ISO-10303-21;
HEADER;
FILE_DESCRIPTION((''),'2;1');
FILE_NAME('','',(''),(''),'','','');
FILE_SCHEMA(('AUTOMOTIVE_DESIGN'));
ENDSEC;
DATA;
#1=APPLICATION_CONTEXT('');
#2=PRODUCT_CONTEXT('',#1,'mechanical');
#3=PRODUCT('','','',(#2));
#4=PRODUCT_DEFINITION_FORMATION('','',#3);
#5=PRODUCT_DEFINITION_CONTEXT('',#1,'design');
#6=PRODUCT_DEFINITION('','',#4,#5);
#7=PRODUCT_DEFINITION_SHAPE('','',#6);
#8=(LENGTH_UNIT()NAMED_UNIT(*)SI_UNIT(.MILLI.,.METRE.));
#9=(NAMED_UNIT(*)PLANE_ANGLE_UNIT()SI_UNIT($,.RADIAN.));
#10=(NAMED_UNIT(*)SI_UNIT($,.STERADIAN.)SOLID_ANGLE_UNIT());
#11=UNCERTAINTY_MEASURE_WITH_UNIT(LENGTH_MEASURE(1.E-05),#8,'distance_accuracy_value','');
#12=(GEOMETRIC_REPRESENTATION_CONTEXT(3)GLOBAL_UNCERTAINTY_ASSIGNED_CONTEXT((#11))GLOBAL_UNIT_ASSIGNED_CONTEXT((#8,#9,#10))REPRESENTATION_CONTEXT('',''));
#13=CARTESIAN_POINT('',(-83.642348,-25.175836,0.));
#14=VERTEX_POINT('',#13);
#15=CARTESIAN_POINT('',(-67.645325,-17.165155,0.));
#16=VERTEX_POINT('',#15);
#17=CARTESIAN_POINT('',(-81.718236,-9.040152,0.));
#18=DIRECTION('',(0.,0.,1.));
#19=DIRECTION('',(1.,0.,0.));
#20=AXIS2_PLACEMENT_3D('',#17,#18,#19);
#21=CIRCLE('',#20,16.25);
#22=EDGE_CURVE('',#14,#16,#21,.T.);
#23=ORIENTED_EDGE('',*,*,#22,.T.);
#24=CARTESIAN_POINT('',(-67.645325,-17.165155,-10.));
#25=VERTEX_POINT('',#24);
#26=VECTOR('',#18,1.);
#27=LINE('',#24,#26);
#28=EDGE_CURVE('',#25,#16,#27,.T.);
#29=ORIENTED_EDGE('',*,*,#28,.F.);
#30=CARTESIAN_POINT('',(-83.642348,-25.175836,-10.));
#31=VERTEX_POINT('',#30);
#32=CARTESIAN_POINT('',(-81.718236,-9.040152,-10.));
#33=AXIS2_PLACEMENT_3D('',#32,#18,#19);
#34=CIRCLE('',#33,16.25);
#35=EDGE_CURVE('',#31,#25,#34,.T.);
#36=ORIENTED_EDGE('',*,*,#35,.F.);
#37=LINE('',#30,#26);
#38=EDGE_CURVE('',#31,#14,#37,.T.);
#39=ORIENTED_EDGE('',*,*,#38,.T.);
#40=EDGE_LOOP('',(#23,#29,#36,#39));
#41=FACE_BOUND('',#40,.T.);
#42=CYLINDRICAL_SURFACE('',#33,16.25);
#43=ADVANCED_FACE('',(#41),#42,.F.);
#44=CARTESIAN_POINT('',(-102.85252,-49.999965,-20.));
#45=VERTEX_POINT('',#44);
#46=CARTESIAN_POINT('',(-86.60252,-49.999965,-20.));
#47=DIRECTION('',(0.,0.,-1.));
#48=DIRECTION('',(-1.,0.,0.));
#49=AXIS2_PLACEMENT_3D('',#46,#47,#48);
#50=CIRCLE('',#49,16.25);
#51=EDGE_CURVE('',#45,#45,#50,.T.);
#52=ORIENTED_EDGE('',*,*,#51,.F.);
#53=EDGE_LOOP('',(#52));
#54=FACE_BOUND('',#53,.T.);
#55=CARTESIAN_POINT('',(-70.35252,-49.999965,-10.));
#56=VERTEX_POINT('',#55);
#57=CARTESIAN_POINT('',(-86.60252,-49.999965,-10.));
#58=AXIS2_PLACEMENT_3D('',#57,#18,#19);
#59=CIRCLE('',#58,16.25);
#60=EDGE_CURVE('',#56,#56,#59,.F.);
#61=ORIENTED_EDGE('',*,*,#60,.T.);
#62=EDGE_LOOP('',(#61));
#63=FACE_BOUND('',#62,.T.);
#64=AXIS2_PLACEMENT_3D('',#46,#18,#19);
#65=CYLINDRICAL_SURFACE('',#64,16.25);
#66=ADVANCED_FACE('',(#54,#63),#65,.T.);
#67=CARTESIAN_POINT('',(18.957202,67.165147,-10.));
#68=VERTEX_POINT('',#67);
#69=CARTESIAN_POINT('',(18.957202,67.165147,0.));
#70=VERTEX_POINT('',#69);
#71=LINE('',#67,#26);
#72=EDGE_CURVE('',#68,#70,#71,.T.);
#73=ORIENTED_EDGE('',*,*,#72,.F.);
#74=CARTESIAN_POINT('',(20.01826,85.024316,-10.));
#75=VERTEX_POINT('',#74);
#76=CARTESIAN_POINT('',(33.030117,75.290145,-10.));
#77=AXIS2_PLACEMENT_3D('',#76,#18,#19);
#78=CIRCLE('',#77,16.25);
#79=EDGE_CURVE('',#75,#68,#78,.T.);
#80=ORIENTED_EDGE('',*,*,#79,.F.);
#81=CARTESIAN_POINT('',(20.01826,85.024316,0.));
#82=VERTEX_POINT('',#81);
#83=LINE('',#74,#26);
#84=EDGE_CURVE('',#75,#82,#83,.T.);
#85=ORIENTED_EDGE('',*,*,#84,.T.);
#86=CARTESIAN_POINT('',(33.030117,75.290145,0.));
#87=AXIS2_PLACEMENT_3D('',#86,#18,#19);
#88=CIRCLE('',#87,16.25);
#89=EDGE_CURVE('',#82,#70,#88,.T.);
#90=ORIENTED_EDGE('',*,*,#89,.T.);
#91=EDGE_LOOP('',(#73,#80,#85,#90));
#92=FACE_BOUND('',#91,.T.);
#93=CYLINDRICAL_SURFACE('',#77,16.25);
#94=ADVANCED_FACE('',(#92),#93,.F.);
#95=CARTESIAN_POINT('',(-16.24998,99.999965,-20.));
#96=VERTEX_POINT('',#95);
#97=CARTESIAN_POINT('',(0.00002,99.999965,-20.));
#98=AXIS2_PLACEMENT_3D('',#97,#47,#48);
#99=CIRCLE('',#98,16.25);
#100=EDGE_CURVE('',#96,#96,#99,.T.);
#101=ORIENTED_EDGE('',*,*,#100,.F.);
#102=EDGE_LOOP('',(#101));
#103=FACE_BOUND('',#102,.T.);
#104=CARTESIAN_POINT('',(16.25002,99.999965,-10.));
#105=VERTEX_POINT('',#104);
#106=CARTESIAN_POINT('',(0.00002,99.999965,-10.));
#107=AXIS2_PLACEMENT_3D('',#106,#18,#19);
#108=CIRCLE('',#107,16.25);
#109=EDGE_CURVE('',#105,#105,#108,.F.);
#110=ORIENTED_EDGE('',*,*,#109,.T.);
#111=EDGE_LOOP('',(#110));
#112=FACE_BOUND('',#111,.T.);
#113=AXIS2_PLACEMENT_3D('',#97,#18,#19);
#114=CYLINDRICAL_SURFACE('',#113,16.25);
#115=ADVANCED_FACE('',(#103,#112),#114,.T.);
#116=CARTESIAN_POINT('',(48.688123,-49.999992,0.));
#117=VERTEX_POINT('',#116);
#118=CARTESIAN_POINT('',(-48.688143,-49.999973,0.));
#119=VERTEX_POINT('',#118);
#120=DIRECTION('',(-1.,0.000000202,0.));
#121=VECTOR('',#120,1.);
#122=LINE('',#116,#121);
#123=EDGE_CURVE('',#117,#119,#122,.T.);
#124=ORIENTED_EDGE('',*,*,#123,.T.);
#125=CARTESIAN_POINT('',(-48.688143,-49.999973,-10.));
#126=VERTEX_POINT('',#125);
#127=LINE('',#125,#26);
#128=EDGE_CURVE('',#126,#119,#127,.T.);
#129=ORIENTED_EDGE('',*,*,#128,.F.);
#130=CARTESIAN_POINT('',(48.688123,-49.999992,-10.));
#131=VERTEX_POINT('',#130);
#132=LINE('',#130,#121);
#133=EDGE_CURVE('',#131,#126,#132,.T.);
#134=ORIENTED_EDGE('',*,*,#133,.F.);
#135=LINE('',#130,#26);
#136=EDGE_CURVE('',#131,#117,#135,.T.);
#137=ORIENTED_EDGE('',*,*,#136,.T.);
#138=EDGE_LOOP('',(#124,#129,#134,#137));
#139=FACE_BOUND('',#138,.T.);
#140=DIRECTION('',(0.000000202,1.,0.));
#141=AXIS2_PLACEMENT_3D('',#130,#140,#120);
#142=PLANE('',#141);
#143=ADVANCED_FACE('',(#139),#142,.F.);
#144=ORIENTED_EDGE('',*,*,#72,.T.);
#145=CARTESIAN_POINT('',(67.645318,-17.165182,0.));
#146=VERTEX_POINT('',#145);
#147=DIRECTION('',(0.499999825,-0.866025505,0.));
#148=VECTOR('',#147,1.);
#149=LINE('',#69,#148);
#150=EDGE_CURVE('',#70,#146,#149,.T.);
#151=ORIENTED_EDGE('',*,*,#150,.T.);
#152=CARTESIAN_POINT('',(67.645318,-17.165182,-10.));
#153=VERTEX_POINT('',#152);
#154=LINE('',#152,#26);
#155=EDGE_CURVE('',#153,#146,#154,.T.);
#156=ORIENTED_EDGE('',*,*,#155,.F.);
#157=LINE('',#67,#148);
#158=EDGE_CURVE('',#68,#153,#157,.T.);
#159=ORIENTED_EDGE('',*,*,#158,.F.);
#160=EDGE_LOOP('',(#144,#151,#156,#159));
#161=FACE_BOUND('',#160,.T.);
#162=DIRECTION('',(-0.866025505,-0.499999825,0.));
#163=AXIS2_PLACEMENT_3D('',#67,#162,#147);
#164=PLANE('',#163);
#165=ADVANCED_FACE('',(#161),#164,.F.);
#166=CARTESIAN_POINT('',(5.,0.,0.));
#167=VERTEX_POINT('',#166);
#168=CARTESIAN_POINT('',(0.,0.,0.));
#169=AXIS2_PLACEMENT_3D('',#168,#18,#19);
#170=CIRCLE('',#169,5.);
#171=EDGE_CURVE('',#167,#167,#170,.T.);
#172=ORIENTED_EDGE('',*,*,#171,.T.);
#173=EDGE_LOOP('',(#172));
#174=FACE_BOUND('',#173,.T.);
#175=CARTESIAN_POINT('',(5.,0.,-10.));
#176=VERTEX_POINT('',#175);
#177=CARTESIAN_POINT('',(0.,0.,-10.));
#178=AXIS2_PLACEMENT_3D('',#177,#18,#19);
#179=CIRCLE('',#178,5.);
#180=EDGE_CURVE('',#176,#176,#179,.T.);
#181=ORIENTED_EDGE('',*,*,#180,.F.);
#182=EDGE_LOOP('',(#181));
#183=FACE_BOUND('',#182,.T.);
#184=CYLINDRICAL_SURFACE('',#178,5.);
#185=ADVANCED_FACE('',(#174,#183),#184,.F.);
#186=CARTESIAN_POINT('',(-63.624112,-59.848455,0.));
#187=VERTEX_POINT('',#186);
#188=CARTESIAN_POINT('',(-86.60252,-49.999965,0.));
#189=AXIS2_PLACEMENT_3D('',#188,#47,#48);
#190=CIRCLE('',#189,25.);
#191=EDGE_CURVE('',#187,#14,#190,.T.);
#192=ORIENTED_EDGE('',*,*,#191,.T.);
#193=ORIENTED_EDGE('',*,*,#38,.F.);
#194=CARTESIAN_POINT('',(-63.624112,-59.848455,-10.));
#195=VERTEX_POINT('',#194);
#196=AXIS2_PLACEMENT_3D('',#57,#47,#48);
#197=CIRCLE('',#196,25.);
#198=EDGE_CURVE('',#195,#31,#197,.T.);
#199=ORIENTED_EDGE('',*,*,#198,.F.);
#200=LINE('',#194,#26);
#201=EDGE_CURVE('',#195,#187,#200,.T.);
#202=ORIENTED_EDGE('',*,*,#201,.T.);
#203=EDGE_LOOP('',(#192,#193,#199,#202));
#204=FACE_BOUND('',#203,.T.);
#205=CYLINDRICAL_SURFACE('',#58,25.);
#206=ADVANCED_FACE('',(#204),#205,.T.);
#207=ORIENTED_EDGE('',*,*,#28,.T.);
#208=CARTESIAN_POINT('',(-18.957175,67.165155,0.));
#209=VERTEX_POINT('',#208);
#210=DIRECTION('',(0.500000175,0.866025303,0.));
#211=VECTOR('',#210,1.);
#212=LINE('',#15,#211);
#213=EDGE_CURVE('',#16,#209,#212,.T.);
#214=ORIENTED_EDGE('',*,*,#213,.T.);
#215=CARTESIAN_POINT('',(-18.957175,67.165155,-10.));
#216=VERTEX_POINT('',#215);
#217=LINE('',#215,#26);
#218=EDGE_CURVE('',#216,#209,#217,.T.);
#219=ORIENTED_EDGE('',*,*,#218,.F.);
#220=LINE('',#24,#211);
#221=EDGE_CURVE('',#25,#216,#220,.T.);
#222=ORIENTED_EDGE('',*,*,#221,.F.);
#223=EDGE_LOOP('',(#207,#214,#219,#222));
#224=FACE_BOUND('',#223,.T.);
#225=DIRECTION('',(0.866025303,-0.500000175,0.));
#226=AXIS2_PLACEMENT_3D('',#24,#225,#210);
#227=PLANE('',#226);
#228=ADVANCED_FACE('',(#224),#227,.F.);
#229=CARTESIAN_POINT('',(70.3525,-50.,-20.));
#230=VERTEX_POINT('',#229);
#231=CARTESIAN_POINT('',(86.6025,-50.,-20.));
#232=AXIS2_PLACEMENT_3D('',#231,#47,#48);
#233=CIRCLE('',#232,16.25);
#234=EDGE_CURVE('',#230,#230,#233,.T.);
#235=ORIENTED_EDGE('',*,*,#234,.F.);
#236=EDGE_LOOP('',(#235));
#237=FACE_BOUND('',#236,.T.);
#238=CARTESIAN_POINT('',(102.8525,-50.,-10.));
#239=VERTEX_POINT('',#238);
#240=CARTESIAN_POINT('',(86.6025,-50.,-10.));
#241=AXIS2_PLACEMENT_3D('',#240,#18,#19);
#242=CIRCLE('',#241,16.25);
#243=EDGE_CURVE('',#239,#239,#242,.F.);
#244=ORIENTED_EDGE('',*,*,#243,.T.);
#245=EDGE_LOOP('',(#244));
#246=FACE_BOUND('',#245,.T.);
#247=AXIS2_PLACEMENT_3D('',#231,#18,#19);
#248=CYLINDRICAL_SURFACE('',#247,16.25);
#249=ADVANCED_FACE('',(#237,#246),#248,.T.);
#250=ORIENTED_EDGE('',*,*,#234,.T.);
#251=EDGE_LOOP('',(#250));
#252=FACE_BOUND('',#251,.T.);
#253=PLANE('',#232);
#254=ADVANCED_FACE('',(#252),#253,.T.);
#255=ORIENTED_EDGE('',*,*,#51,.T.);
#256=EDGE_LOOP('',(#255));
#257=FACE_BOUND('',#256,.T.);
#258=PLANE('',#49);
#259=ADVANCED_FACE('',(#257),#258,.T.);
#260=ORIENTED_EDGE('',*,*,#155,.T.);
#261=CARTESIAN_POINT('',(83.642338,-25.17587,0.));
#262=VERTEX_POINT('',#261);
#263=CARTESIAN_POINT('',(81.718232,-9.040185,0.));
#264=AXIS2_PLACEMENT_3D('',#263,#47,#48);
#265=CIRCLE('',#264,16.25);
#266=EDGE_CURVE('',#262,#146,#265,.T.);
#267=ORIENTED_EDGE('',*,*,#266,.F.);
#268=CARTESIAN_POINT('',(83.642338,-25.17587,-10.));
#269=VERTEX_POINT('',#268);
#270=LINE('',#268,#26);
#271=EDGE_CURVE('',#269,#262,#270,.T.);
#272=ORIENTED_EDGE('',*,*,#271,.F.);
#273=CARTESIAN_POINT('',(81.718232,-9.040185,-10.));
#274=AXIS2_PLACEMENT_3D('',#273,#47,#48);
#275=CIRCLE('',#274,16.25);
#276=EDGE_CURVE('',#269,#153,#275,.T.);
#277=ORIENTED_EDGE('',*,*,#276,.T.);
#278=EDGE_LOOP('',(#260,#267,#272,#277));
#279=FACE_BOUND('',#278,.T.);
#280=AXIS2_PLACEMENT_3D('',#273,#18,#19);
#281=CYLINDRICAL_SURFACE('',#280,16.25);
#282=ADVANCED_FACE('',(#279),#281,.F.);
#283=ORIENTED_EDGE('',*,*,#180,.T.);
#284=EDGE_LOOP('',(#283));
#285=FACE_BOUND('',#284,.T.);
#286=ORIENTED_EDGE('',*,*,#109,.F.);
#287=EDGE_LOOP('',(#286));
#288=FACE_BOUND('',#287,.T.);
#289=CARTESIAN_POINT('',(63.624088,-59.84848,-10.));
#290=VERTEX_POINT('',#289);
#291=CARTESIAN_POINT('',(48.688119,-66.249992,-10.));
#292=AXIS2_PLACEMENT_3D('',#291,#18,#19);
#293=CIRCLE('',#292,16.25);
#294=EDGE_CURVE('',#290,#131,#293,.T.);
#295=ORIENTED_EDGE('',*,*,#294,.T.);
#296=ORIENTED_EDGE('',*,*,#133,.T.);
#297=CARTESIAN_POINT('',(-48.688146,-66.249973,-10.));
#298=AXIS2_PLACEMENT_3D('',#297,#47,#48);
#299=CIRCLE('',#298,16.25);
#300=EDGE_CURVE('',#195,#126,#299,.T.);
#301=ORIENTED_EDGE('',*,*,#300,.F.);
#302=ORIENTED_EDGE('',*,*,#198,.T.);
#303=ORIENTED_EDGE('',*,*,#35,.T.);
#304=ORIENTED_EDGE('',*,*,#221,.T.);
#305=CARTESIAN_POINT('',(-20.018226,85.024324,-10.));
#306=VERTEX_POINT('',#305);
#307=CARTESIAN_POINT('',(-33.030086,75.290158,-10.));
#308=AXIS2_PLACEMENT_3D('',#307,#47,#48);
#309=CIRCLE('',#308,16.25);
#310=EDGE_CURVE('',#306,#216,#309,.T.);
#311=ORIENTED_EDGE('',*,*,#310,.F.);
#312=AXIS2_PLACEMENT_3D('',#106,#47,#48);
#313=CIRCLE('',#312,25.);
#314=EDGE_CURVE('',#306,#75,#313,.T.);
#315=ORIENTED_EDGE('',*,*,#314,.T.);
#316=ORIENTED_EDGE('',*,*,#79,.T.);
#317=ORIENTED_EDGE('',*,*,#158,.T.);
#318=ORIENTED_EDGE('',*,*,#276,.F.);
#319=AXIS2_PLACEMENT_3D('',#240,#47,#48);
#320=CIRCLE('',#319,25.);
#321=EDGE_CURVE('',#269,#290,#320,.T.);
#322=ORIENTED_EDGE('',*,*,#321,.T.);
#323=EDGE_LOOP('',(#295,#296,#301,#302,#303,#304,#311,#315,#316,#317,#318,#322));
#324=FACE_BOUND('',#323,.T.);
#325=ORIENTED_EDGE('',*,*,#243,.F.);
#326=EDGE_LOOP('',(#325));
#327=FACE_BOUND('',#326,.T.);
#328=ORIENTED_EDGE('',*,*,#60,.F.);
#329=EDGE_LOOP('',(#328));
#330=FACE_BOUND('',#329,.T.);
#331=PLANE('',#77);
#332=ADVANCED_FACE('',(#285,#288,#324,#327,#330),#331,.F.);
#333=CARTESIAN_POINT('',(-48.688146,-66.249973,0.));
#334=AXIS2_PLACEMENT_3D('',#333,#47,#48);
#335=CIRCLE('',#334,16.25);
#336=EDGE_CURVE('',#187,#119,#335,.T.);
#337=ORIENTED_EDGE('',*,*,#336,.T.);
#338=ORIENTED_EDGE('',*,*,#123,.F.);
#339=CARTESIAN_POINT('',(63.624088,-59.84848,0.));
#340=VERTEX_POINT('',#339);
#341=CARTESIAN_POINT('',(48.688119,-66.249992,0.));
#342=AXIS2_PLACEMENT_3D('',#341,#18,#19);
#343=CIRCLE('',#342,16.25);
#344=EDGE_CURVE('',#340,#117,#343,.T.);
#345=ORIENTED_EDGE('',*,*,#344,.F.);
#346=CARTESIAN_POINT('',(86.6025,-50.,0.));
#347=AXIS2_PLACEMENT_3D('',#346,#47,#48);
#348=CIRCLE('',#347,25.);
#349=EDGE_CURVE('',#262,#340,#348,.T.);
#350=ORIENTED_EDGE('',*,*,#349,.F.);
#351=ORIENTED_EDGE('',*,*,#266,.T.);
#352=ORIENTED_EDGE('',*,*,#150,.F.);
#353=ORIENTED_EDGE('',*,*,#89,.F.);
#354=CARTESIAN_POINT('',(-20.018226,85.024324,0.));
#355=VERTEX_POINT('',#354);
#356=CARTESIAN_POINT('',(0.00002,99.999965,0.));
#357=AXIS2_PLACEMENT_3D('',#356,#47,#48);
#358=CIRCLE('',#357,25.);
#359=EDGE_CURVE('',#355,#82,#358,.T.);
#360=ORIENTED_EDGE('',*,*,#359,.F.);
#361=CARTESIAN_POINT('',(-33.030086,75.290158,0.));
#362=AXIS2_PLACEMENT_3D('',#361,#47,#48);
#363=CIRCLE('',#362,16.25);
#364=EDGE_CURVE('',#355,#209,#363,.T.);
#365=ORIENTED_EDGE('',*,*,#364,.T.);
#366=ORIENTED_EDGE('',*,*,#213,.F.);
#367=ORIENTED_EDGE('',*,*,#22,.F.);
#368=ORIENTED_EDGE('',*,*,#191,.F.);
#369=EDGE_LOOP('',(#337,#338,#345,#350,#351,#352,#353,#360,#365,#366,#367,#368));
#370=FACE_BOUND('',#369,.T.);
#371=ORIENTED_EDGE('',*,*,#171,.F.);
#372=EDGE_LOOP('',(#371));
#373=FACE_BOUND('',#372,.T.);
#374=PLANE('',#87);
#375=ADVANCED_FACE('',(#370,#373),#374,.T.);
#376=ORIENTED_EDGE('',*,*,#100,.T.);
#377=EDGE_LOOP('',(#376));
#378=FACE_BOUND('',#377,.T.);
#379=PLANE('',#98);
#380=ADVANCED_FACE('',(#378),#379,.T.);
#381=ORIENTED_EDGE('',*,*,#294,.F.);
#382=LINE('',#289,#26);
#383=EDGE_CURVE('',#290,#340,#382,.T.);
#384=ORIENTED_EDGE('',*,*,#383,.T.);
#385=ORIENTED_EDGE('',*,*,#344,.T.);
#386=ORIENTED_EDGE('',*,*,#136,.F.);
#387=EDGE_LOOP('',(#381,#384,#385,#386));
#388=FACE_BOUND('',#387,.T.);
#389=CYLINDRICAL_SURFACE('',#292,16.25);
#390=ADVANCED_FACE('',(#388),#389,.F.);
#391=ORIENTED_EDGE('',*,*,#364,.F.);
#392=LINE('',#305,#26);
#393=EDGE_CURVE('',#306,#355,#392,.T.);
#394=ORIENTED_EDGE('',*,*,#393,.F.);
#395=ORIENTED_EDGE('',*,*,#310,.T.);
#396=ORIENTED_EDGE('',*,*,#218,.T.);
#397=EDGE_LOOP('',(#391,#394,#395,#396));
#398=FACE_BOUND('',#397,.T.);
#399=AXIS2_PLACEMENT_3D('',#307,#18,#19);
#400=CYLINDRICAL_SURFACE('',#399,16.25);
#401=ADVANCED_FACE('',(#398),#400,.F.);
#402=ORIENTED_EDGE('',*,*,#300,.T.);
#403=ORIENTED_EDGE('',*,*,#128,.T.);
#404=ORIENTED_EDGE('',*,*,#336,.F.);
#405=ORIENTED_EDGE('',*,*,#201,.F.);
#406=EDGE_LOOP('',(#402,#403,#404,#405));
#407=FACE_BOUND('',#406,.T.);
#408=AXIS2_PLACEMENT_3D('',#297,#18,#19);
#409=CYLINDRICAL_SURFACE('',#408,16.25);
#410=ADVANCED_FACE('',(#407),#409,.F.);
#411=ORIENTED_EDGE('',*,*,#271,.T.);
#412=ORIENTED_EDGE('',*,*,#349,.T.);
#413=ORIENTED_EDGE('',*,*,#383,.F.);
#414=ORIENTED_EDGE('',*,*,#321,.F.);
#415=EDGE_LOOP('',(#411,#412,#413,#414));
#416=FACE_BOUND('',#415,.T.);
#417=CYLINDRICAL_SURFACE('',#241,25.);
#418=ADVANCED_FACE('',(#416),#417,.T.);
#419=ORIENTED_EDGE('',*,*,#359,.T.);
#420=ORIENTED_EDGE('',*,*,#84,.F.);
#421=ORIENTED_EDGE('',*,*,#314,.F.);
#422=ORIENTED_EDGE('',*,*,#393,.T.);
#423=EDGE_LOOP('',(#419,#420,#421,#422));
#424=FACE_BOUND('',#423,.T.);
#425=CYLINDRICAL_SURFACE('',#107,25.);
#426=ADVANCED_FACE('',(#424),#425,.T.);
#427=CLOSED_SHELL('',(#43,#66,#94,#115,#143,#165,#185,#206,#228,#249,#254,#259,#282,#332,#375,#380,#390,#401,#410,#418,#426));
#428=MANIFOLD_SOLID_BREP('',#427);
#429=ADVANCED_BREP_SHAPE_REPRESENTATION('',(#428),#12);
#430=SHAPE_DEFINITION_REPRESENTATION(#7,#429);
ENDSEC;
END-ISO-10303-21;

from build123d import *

# Parameters (mm, degrees)
BOSS_EXTRUDE1_DEPTH = 10
SKETCH2_R           = 16.25
BOSS_EXTRUDE2_DEPTH = 10
SKETCH3_R           = 5
CUT_EXTRUDE1_DEPTH  = 10


with BuildPart() as part:
    # Sketch1 → Boss-Extrude1 (new body)
    with BuildSketch(Plane(origin=(0, 0, 0), x_dir=(1, 0, 0), z_dir=(0, 0, -1))):
        with BuildLine():
            Line((18.95720217, -67.165147363), (67.645318019, 17.165182331))
            ThreePointArc((67.645318019, 17.165182331), (74.442164244, 23.570200009), (83.642337861, 25.175869802))
            ThreePointArc((83.642337861, 25.175869802), (108.253132571, 62.500004371), (63.624087575, 59.848480209))
            ThreePointArc((63.624087575, 59.848480209), (57.63345283, 52.683728615), (48.68812278, 49.999992345))
            Line((48.68812278, 49.999992345), (-48.688142969, 49.999972686))
            ThreePointArc((-48.688142969, 49.999972686), (-57.633474102, 52.683705343), (-63.624111741, 59.848454519))
            ThreePointArc((-63.624111741, 59.848454519), (-108.253157807, 62.49996066), (-83.642348027, 25.175836028))
            ThreePointArc((-83.642348027, 25.175836028), (-74.442173761, 23.570169951), (-67.64532495, 17.165155017))
            Line((-67.64532495, 17.165155017), (-18.95717505, -67.165155017))
            ThreePointArc((-18.95717505, -67.165155017), (-16.808690142, -76.253905353), (-20.01822612, -85.02432432))
            ThreePointArc((-20.01822612, -85.02432432), (2.5237e-05, -124.999965031), (20.018260452, -85.024316237))
            ThreePointArc((20.018260452, -85.024316237), (16.808720932, -76.253898566), (18.95720217, -67.165147363))
        make_face()
    extrude(amount=BOSS_EXTRUDE1_DEPTH)

    # Sketch2 → Boss-Extrude2 (add)
    with BuildSketch(Plane(origin=(0, 0, -10), x_dir=(1, 0, 0), z_dir=(0, 0, -1))):
        with Locations((86.6025, 50)):
            Circle(SKETCH2_R)
        with Locations((2.0189e-05, -99.999965031)):
            Circle(SKETCH2_R)
        with Locations((-86.602520189, 49.999965031)):
            Circle(SKETCH2_R)
    extrude(amount=BOSS_EXTRUDE2_DEPTH)

    # Sketch3 → Cut-Extrude1 (cut)
    with BuildSketch(Plane.XY):
        Circle(SKETCH3_R)
    extrude(amount=-CUT_EXTRUDE1_DEPTH, mode=Mode.SUBTRACT)


solid = part.part
